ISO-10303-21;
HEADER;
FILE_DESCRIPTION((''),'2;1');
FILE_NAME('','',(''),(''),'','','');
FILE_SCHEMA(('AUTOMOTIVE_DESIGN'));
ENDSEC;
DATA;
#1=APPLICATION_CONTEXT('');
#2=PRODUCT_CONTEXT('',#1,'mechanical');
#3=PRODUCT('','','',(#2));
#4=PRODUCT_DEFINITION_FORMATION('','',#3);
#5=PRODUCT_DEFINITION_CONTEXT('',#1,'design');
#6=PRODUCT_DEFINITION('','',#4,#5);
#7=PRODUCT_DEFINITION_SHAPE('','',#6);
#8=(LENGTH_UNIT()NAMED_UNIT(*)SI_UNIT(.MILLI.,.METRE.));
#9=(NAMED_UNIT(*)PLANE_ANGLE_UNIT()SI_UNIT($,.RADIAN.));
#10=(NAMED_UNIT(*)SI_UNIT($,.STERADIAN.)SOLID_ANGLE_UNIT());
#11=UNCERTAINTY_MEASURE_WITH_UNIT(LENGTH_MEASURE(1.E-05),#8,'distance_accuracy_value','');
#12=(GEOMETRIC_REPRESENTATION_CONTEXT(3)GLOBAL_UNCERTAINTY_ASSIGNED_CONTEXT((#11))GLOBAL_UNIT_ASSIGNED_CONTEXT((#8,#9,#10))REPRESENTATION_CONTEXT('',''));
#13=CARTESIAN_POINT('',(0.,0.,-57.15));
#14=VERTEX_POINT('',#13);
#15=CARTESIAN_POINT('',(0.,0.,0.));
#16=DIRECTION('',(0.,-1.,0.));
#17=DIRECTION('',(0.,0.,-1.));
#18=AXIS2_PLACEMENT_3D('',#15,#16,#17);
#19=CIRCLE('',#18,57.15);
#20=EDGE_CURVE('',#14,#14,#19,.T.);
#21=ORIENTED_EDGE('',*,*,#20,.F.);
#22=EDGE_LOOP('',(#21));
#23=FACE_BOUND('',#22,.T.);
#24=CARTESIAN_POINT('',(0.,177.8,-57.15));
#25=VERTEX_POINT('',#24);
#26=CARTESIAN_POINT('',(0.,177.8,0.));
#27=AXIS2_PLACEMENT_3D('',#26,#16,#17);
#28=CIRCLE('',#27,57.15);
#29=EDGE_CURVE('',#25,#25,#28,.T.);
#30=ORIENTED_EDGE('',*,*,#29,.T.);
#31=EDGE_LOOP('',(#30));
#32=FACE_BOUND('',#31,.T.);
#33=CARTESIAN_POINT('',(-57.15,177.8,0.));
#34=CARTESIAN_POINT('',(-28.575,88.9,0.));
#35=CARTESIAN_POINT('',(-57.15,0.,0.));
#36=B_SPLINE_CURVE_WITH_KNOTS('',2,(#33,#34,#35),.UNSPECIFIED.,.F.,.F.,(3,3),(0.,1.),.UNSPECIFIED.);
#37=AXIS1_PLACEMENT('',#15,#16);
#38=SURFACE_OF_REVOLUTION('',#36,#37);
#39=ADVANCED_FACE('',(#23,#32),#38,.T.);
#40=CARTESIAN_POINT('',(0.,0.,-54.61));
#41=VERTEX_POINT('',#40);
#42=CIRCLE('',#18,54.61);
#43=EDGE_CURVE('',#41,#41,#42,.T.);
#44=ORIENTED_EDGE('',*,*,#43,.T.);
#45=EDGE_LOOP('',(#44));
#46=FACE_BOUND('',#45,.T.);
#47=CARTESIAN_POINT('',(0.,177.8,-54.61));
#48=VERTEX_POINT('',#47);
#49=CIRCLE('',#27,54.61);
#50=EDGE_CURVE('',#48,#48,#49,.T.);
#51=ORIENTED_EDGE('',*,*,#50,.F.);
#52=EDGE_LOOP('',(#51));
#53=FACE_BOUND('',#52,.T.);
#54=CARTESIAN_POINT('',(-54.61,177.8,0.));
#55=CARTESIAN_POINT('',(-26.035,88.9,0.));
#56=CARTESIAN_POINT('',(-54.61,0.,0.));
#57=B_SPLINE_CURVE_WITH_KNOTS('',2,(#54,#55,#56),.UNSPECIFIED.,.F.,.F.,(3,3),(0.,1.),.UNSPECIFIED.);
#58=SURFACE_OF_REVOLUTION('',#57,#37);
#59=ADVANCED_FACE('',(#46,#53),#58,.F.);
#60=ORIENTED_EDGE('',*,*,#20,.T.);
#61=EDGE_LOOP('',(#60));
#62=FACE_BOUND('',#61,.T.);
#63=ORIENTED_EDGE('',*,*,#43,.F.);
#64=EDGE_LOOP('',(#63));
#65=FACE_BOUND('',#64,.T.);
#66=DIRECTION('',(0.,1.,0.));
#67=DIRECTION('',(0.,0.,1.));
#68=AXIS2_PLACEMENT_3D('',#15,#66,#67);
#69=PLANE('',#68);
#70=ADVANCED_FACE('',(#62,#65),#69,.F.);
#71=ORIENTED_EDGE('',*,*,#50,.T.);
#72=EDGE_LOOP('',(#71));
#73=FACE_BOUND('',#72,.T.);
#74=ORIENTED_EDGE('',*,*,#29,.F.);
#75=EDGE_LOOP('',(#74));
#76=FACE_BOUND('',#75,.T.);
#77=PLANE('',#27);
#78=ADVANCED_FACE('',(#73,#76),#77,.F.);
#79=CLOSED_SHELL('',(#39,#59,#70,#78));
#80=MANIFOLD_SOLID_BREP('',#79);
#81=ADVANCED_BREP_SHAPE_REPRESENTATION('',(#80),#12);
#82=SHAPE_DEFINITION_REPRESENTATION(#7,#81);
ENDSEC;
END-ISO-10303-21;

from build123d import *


with BuildPart() as part:
    # Sketch1 → Revolve2 (revolve)
    with BuildSketch(Plane.XY):
        with BuildLine():
            add(Edge.make_bspline(
                [(-54.61, 177.8), (-26.035, 88.9), (-54.61, 0)],
                knots=[0, 0, 0, 1, 1, 1], degree=2))
            Line((-54.61, 177.8), (-57.15, 177.8))
            add(Edge.make_bspline(
                [(-57.15, 177.8), (-28.575, 88.9), (-57.15, 0)],
                knots=[0, 0, 0, 1, 1, 1], degree=2))
            Line((-57.15, 0), (-54.61, 0))
        make_face()
    revolve(axis=Axis((0, 0, 0), (0, 1, 0)))


solid = part.part
